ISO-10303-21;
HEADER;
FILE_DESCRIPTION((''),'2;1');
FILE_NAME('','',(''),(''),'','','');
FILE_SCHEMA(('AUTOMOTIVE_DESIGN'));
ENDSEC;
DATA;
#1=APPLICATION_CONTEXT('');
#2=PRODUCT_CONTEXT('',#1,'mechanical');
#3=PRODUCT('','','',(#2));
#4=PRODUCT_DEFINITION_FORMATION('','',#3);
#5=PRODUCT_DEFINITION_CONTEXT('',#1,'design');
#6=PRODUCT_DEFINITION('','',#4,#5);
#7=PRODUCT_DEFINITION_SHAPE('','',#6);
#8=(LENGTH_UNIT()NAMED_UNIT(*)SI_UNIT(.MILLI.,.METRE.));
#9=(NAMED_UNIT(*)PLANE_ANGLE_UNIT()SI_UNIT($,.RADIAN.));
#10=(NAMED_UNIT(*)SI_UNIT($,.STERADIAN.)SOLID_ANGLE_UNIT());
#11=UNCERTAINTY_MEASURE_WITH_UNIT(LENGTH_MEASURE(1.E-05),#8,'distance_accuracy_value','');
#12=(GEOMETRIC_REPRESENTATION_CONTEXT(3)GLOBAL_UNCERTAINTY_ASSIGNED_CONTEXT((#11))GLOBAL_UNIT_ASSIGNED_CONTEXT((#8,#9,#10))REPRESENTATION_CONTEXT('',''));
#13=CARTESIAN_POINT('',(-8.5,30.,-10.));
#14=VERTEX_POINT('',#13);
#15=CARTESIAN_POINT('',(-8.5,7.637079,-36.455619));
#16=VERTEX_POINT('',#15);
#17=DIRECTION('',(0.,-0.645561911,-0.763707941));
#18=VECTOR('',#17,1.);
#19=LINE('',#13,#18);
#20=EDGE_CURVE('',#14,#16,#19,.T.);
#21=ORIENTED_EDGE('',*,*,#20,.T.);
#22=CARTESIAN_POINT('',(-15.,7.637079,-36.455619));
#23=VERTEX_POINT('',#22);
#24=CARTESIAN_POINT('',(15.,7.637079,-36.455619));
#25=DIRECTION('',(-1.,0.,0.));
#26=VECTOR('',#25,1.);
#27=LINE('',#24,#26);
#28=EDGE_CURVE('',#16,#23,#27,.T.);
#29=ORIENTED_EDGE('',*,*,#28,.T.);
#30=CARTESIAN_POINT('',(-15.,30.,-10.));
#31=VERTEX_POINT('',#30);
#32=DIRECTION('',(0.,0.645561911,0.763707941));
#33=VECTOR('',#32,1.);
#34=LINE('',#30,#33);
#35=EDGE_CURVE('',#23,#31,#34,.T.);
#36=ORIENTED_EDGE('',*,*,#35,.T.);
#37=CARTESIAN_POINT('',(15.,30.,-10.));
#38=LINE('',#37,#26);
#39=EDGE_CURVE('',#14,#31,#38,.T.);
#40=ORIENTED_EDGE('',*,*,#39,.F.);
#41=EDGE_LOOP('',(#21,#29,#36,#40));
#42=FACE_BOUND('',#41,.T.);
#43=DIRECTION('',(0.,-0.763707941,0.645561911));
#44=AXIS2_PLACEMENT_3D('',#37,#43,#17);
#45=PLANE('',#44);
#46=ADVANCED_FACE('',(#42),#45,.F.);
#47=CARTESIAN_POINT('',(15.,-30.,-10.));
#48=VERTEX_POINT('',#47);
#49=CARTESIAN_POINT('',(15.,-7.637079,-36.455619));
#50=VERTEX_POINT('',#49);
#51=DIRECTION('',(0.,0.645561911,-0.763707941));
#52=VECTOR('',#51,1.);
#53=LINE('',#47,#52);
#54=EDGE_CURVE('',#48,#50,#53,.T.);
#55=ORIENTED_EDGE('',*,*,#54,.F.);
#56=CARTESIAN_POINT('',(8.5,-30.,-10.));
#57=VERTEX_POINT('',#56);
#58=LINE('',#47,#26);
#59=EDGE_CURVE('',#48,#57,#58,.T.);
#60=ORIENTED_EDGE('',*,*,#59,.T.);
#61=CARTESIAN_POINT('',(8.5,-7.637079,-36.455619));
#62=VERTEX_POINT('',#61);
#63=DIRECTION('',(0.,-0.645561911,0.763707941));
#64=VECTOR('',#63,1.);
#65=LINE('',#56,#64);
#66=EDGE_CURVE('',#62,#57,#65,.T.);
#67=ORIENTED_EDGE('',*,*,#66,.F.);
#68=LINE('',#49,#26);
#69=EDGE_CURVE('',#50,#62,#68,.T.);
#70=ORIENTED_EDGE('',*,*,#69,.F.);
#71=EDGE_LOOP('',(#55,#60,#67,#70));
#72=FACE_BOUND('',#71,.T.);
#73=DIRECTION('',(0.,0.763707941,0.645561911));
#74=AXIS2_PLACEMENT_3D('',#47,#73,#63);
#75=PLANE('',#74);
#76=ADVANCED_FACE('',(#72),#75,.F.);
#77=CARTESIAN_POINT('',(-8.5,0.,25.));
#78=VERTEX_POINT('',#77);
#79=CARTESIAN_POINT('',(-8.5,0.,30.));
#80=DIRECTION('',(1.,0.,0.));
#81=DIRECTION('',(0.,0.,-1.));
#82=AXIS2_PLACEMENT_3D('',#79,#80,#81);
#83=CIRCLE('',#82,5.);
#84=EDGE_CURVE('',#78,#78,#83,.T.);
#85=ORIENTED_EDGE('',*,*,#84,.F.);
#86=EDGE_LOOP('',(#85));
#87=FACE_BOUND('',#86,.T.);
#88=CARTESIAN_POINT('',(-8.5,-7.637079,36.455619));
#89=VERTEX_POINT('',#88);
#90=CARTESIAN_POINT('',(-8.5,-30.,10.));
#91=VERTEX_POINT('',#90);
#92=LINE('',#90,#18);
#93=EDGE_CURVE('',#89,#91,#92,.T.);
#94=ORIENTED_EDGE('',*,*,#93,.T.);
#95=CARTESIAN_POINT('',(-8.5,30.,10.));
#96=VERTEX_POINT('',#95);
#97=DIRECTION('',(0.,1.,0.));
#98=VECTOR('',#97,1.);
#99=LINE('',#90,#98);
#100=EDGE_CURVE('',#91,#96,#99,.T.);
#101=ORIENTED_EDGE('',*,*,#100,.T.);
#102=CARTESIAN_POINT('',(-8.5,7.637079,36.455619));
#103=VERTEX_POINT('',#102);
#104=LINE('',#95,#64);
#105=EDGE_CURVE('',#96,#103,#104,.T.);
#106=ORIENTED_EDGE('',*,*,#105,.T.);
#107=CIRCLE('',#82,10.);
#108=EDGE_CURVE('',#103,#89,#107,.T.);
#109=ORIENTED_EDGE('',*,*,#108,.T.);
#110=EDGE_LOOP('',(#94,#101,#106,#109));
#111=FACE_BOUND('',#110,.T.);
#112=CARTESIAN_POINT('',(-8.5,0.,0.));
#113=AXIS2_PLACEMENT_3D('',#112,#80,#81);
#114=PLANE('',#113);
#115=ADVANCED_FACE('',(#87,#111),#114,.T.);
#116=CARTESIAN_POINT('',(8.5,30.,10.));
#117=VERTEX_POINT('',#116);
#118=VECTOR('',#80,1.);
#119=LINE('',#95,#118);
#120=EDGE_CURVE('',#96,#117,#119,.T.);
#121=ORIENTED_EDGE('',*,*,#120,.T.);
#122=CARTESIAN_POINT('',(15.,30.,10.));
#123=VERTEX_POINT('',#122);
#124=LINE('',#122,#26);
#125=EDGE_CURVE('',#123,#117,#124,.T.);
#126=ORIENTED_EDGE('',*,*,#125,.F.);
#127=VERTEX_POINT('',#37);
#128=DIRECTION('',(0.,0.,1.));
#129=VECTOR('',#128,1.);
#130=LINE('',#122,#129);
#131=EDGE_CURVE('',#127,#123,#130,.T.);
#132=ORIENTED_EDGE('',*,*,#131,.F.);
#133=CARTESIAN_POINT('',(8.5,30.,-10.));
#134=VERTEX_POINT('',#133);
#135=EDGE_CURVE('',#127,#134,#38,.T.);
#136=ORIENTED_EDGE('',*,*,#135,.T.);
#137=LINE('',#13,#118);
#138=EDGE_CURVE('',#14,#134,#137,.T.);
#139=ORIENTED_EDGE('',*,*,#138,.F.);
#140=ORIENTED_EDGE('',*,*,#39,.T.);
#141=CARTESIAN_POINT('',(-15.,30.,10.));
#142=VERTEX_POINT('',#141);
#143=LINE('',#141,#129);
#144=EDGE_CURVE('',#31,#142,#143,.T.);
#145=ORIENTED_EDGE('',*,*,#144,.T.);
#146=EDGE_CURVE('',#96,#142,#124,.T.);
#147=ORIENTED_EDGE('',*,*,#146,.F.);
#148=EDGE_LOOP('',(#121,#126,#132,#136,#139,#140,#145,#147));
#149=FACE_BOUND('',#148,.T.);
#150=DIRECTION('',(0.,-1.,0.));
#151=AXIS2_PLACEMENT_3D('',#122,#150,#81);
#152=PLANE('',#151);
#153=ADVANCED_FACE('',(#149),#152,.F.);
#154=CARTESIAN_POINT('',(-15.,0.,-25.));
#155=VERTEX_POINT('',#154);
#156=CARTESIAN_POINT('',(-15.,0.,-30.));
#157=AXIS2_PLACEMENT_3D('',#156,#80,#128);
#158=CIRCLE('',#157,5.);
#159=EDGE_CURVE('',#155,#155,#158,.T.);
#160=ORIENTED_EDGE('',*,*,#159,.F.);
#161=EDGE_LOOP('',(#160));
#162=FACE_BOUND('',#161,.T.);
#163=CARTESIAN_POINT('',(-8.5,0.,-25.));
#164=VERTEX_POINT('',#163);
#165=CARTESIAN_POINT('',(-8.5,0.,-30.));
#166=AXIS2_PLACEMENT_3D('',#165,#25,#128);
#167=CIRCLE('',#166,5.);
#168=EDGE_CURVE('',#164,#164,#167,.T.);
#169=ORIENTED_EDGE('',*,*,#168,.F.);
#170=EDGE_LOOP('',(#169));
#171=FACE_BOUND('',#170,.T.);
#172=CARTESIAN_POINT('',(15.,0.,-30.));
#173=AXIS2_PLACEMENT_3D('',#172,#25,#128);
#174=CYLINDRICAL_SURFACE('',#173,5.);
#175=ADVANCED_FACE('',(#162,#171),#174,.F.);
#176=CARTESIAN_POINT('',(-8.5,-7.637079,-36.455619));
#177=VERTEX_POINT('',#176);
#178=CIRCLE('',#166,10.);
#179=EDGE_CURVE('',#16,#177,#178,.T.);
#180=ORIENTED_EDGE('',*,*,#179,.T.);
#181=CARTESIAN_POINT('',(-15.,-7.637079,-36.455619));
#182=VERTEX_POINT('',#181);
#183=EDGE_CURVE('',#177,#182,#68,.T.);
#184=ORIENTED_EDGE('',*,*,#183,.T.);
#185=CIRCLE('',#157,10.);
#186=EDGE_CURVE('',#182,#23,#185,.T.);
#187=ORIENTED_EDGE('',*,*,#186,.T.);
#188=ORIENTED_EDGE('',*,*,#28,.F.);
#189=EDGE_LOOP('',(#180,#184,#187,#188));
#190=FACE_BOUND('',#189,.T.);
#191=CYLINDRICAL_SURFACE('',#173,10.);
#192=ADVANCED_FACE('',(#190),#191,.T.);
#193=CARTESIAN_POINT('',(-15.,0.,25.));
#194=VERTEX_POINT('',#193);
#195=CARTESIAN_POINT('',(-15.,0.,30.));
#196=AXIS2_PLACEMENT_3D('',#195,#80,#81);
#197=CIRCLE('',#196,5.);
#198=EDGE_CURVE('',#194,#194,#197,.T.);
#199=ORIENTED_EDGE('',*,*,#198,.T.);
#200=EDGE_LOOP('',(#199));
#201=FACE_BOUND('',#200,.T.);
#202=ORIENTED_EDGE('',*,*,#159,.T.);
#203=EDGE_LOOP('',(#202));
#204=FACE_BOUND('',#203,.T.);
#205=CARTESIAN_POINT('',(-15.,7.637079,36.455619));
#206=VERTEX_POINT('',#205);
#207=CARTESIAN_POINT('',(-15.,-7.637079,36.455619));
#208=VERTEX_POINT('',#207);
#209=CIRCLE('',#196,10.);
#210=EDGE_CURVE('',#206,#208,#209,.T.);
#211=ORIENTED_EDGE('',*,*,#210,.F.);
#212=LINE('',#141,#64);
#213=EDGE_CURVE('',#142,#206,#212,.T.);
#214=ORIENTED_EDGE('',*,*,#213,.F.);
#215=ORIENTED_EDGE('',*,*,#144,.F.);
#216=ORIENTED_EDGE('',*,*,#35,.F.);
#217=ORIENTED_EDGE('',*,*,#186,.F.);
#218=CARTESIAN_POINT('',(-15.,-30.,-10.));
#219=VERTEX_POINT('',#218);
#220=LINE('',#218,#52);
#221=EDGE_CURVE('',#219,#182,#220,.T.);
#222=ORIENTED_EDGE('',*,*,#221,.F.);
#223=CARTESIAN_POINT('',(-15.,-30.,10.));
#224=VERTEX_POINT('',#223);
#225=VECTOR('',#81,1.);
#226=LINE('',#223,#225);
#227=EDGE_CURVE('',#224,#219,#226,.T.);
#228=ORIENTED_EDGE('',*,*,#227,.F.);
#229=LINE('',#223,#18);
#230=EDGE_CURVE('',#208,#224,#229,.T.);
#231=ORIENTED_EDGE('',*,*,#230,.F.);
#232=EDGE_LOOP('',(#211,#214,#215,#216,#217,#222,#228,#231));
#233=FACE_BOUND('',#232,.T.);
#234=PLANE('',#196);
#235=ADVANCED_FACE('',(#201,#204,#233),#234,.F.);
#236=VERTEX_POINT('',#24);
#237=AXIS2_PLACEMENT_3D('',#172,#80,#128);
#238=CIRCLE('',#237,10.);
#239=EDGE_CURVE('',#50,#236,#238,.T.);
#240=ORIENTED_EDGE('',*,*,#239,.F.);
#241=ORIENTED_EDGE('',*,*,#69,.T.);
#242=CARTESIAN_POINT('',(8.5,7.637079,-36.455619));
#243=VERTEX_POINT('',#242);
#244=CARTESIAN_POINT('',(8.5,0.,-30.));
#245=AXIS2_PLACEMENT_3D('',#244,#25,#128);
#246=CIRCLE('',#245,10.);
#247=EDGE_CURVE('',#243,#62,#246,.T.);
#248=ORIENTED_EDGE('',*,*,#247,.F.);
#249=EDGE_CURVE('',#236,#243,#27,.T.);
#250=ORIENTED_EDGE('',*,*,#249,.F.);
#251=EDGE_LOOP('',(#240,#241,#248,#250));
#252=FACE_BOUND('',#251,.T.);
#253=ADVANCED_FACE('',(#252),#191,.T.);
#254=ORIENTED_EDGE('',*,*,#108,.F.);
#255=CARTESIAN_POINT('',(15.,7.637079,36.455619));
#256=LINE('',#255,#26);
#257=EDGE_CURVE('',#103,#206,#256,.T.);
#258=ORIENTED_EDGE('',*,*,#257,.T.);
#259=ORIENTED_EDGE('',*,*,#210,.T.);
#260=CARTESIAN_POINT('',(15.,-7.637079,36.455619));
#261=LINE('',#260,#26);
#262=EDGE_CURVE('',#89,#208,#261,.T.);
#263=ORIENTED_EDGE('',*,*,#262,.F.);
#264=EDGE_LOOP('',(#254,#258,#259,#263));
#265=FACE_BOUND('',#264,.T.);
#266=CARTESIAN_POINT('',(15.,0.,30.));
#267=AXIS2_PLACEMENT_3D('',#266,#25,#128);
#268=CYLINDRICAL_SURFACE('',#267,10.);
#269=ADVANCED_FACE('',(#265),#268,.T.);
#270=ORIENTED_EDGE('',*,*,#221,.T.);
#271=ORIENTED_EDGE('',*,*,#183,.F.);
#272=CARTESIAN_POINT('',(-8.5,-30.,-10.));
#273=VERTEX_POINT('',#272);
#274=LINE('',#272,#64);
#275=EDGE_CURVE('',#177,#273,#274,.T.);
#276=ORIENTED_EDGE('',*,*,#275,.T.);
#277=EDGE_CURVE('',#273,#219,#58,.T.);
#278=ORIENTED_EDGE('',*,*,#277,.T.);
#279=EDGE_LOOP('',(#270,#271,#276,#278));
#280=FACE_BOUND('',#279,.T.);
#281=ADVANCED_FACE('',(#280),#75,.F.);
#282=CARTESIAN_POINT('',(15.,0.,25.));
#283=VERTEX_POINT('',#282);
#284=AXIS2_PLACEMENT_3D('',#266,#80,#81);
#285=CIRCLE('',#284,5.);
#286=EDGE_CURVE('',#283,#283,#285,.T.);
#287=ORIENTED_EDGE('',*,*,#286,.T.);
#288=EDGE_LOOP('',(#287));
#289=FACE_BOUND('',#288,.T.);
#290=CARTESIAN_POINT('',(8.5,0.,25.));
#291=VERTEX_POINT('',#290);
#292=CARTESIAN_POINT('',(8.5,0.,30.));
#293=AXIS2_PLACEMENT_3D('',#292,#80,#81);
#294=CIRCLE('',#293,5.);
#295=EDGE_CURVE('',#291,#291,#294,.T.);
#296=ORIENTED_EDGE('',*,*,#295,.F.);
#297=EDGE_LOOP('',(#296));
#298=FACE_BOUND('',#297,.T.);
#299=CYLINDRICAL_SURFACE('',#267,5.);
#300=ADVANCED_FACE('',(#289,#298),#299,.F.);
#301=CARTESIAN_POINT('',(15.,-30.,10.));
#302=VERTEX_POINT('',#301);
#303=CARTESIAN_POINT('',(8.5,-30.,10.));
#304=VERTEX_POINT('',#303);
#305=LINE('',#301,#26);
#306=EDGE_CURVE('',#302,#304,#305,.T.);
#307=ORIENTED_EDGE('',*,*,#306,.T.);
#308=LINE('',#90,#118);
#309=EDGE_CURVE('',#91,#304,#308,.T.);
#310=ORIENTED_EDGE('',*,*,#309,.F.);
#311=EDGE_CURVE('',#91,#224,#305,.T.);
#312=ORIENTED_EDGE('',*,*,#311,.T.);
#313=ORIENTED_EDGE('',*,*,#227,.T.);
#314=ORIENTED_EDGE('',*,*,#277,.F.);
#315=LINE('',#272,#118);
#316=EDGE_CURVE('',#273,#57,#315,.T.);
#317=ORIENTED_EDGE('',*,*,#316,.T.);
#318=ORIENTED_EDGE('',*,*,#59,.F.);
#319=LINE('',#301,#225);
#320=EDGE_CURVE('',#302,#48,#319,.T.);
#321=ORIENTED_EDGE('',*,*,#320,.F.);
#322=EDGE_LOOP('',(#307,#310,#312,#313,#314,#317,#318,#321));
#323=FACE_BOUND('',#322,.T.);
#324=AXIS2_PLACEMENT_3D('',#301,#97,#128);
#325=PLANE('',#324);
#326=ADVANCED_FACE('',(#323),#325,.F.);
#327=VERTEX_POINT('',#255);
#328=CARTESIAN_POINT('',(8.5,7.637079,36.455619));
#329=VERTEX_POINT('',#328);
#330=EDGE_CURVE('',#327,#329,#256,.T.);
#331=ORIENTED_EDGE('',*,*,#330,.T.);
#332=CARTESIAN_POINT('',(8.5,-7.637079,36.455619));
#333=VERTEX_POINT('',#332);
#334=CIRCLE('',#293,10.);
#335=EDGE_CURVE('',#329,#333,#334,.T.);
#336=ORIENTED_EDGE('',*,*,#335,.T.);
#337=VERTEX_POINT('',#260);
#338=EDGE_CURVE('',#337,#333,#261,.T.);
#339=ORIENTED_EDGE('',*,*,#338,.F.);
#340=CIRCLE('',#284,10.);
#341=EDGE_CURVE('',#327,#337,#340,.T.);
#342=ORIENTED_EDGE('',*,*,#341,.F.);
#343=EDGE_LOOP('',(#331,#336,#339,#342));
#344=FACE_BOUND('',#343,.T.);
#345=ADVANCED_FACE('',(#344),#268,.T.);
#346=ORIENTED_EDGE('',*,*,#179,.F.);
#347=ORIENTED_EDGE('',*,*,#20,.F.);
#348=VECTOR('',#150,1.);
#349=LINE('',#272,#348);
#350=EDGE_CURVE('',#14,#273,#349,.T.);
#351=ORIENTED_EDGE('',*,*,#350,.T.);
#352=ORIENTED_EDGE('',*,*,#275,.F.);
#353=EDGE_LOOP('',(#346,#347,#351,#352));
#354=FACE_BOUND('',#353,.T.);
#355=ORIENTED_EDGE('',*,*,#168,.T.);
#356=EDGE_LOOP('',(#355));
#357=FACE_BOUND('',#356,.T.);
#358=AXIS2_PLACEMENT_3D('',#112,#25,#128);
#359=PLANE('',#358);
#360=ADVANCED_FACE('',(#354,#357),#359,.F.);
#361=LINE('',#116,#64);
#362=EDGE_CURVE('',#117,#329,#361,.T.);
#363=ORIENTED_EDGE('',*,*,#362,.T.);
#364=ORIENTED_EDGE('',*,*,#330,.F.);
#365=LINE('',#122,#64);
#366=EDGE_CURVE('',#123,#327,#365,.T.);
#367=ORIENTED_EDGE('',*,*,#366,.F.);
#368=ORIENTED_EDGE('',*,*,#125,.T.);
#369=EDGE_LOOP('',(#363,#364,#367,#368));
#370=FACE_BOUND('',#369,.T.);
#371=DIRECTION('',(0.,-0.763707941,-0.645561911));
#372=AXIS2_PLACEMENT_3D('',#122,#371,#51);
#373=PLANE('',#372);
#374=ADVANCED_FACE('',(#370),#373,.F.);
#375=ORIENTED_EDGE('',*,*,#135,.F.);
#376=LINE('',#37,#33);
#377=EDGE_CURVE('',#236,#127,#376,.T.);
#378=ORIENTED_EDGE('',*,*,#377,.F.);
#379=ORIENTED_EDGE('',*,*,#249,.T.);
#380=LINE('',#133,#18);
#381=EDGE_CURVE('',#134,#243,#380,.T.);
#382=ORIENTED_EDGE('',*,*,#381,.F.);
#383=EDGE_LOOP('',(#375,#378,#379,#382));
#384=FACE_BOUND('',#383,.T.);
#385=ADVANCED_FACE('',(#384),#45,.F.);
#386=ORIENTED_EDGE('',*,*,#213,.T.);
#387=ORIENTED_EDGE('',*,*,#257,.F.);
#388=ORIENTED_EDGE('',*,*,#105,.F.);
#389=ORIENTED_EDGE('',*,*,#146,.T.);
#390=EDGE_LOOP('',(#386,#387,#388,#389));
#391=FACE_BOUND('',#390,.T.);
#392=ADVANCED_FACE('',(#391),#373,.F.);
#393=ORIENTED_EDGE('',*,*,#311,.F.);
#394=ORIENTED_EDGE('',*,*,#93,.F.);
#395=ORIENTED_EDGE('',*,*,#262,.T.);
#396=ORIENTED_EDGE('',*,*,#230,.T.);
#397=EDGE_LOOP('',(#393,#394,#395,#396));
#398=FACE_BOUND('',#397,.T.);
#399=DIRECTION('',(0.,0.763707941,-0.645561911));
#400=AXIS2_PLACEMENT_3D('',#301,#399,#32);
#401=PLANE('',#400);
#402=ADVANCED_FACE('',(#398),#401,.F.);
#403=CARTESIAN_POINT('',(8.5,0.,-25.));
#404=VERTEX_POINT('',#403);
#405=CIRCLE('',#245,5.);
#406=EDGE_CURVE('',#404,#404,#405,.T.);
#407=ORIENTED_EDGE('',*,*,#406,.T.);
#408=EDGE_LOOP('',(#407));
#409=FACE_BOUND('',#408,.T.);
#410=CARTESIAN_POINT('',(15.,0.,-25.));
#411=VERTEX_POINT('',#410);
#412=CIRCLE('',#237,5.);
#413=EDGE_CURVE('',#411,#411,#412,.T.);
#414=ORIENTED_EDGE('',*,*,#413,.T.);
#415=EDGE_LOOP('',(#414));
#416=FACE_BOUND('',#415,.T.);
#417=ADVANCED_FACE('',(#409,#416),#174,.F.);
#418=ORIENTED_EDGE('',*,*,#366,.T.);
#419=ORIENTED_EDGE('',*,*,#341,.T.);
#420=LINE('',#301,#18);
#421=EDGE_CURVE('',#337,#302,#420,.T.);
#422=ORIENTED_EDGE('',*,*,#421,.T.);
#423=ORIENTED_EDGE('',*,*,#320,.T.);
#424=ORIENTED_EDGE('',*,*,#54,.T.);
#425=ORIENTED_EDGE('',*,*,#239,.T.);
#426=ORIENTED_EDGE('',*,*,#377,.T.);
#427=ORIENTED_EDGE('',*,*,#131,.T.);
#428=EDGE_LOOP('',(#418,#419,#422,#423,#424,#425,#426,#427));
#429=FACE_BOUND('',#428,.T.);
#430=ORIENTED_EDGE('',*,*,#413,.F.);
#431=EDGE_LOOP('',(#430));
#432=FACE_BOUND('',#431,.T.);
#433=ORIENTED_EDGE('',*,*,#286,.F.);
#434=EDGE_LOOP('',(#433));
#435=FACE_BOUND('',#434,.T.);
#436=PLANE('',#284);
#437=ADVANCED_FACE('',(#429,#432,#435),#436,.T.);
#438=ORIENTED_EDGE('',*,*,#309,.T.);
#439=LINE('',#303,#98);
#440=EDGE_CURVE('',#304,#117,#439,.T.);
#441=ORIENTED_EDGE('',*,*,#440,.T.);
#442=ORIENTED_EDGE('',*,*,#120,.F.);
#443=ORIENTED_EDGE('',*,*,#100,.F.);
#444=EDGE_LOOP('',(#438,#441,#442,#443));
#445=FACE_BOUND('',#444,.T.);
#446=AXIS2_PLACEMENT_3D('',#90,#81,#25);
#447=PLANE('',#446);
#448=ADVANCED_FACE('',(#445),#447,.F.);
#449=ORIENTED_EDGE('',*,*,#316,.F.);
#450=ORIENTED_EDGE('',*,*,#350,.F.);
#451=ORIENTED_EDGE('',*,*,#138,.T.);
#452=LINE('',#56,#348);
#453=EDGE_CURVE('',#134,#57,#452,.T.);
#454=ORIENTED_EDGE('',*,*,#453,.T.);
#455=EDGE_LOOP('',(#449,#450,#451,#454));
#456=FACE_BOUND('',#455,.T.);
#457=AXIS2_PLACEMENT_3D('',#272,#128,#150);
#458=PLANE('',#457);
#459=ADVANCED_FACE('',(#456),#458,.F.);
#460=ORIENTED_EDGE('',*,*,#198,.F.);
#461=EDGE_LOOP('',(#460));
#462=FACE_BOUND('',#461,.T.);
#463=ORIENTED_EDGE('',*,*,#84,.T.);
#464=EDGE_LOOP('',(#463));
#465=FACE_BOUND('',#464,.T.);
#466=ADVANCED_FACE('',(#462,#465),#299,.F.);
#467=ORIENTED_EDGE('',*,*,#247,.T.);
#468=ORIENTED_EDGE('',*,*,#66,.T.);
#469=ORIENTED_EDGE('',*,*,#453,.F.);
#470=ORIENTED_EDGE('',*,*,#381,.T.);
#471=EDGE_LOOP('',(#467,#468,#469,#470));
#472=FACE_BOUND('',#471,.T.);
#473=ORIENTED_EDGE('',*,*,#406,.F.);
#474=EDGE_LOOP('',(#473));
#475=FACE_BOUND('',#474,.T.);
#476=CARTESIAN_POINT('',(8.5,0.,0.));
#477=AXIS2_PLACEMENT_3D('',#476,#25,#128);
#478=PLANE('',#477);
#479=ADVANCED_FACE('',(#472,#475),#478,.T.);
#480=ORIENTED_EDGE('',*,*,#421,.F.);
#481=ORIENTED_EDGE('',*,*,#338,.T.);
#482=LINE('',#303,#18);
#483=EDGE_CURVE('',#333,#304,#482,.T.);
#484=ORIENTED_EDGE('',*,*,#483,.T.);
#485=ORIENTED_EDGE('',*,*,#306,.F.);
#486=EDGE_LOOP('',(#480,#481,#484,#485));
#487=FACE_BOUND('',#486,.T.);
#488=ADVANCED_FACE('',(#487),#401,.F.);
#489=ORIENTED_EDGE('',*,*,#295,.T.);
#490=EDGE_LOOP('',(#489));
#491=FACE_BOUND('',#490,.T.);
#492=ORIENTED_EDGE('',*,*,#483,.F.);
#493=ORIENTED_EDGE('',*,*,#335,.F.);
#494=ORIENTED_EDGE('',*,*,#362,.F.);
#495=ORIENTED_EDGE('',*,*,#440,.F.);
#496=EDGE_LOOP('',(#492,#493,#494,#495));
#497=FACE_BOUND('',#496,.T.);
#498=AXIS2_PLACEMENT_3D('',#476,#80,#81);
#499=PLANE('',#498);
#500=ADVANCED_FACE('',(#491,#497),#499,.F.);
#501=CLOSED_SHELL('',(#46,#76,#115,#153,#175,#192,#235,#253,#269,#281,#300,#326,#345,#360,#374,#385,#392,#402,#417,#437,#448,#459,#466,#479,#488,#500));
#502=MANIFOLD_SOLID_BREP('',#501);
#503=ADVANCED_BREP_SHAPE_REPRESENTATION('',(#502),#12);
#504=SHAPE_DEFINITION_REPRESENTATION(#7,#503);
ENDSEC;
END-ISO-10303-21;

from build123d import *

# Parameters (mm, degrees)
SKETCH1_R           = 5
BOSS_EXTRUDE1_DEPTH = 15
SKETCH3_W           = 30
SKETCH3_H           = 60
CUT_EXTRUDE2_DEPTH  = 8.5


with BuildPart() as part:
    # Sketch1 → Boss-Extrude1 (new, symmetric)
    with BuildSketch(Plane(origin=(0, 0, 0), x_dir=(0, 0, -1), z_dir=(1, 0, 0))):
        with BuildLine():
            Line((-10, 30), (10, 30))
            Line((10, 30), (36.455619112, 7.637079408))
            ThreePointArc((36.455619112, 7.637079408), (40, 0), (36.455619112, -7.637079408))
            Line((36.455619112, -7.637079408), (10, -30))
            Line((10, -30), (-10, -30))
            Line((-10, -30), (-36.455619112, -7.637079408))
            ThreePointArc((-36.455619112, -7.637079408), (-40, 0), (-36.455619112, 7.637079408))
            Line((-36.455619112, 7.637079408), (-10, 30))
        make_face()
        with Locations((-30, 0)):
            Circle(SKETCH1_R, mode=Mode.SUBTRACT)
        with Locations(Location((30, 0, 0), (0, 0, 180))):
            Circle(SKETCH1_R, mode=Mode.SUBTRACT)
    extrude(amount=BOSS_EXTRUDE1_DEPTH, both=True)

    # Sketch3 → Cut-Extrude2 (cut, symmetric)
    with BuildSketch(Plane(origin=(0, 0, 0), x_dir=(0, 0, -1), z_dir=(1, 0, 0))):
        with Locations((-25, 0)):
            Rectangle(SKETCH3_W, SKETCH3_H)
        with Locations((25, 0)):
            Rectangle(SKETCH3_W, SKETCH3_H)
    extrude(amount=CUT_EXTRUDE2_DEPTH, both=True, mode=Mode.SUBTRACT)


solid = part.part
